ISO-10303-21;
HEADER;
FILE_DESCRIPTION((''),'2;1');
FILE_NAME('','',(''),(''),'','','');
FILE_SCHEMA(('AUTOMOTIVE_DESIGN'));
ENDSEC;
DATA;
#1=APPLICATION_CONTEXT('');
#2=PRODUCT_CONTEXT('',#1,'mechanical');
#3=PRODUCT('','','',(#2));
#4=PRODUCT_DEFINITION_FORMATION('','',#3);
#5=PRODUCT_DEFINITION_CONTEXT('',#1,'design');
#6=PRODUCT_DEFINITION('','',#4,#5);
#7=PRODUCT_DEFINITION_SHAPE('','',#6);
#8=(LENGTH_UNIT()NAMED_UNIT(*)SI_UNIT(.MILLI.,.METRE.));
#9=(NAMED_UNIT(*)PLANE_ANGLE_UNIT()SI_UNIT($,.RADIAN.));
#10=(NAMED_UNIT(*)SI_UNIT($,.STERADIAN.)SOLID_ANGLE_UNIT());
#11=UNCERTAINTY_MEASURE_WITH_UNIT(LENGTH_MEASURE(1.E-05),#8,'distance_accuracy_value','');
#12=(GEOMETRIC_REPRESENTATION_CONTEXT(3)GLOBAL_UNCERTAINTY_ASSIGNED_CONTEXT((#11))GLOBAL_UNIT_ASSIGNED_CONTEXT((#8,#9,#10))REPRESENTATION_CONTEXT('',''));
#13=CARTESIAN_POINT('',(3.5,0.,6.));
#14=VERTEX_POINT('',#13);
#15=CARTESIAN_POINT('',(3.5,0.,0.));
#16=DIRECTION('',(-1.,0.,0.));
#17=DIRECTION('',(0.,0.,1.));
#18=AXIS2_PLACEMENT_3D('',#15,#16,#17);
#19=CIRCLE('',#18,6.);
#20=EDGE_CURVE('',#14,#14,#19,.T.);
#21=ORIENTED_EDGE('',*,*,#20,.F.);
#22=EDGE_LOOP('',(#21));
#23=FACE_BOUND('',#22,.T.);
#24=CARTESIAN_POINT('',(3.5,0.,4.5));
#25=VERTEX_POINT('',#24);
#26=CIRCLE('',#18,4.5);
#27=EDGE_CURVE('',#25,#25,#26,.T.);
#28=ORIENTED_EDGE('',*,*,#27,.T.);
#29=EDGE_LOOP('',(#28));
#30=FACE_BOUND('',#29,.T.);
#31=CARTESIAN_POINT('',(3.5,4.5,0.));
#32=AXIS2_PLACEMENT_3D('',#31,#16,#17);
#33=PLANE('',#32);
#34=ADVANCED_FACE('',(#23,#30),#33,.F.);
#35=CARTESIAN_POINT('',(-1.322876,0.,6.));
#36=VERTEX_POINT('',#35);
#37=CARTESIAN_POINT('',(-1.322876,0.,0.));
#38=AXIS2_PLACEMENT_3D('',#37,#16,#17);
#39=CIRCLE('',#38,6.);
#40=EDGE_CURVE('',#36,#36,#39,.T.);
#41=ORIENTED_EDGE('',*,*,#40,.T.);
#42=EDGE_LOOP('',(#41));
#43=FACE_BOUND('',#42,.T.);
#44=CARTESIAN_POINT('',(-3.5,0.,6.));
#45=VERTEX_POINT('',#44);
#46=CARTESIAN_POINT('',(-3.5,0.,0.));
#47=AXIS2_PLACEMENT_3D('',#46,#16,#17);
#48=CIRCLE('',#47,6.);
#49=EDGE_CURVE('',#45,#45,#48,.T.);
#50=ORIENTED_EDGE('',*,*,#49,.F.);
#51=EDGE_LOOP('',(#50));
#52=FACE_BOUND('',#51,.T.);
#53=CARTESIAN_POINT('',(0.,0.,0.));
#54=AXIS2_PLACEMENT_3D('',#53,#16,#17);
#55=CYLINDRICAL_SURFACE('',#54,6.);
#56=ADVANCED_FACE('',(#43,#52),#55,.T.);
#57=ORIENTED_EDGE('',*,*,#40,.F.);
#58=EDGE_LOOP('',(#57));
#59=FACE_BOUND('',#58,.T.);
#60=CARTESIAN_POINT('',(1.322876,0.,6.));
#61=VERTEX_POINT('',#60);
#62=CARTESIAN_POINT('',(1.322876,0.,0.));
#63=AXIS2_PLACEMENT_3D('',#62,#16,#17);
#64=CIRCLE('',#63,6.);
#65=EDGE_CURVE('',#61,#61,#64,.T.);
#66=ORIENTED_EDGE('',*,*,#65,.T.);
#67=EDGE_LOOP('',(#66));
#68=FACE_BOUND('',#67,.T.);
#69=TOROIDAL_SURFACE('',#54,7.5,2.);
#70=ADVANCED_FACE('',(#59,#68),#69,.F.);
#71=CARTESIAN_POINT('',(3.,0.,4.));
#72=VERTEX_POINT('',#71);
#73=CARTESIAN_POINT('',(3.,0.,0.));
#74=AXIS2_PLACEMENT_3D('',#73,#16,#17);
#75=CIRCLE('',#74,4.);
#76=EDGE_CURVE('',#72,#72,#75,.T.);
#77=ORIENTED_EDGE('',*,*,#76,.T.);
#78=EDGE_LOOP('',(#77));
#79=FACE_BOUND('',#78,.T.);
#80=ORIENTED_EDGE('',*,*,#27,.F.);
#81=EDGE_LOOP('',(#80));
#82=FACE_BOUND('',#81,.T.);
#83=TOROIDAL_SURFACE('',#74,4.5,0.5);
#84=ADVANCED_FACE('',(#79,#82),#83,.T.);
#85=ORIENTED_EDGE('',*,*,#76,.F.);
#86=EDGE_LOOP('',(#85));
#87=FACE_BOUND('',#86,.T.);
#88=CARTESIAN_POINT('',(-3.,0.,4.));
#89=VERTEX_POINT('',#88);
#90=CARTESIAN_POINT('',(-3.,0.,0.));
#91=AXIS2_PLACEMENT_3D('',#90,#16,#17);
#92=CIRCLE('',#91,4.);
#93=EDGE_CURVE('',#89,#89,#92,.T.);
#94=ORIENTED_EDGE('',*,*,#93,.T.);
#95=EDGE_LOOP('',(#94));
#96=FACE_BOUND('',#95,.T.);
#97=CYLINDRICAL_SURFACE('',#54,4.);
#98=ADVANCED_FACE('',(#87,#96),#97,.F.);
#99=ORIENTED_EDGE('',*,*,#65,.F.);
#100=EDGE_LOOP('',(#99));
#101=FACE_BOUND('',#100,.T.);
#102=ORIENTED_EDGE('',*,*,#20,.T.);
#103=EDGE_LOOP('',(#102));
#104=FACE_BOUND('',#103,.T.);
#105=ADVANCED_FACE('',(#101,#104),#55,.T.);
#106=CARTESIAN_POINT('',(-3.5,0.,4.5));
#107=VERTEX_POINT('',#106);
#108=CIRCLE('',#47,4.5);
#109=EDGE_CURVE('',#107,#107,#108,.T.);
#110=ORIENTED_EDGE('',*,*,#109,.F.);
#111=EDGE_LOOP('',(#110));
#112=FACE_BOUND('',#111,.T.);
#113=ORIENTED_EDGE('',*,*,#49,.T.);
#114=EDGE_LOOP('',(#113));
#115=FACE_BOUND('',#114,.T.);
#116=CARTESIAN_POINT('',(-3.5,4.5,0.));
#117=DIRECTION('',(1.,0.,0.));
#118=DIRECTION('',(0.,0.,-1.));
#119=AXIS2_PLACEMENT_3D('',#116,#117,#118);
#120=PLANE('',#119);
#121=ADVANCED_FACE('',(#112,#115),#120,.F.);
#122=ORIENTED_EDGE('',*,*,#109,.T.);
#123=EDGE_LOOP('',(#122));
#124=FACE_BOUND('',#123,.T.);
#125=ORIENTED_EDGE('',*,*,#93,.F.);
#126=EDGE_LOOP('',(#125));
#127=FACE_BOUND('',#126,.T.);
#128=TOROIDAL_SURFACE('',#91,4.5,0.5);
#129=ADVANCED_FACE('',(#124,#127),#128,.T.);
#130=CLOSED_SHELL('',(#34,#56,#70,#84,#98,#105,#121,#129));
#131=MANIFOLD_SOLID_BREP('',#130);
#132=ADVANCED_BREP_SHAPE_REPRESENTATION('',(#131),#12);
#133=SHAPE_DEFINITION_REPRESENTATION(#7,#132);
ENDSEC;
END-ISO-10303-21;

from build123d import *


with BuildPart() as part:
    # Esquisse1 → Base-Révolution (revolve)
    with BuildSketch(Plane.XY):
        with BuildLine():
            Line((-3, 4), (3, 4))
            ThreePointArc((3, 4), (3.353553391, 4.146446609), (3.5, 4.5))
            Line((3.5, 4.5), (3.5, 6))
            Line((3.5, 6), (1.322875656, 6))
            ThreePointArc((1.322875656, 6), (0, 5.5), (-1.322875656, 6))
            Line((-1.322875656, 6), (-3.5, 6))
            Line((-3.5, 6), (-3.5, 4.5))
            ThreePointArc((-3.5, 4.5), (-3.353553391, 4.146446609), (-3, 4))
        make_face()
    revolve(axis=Axis((0, 0, 0), (1, 0, 0)))


solid = part.part
